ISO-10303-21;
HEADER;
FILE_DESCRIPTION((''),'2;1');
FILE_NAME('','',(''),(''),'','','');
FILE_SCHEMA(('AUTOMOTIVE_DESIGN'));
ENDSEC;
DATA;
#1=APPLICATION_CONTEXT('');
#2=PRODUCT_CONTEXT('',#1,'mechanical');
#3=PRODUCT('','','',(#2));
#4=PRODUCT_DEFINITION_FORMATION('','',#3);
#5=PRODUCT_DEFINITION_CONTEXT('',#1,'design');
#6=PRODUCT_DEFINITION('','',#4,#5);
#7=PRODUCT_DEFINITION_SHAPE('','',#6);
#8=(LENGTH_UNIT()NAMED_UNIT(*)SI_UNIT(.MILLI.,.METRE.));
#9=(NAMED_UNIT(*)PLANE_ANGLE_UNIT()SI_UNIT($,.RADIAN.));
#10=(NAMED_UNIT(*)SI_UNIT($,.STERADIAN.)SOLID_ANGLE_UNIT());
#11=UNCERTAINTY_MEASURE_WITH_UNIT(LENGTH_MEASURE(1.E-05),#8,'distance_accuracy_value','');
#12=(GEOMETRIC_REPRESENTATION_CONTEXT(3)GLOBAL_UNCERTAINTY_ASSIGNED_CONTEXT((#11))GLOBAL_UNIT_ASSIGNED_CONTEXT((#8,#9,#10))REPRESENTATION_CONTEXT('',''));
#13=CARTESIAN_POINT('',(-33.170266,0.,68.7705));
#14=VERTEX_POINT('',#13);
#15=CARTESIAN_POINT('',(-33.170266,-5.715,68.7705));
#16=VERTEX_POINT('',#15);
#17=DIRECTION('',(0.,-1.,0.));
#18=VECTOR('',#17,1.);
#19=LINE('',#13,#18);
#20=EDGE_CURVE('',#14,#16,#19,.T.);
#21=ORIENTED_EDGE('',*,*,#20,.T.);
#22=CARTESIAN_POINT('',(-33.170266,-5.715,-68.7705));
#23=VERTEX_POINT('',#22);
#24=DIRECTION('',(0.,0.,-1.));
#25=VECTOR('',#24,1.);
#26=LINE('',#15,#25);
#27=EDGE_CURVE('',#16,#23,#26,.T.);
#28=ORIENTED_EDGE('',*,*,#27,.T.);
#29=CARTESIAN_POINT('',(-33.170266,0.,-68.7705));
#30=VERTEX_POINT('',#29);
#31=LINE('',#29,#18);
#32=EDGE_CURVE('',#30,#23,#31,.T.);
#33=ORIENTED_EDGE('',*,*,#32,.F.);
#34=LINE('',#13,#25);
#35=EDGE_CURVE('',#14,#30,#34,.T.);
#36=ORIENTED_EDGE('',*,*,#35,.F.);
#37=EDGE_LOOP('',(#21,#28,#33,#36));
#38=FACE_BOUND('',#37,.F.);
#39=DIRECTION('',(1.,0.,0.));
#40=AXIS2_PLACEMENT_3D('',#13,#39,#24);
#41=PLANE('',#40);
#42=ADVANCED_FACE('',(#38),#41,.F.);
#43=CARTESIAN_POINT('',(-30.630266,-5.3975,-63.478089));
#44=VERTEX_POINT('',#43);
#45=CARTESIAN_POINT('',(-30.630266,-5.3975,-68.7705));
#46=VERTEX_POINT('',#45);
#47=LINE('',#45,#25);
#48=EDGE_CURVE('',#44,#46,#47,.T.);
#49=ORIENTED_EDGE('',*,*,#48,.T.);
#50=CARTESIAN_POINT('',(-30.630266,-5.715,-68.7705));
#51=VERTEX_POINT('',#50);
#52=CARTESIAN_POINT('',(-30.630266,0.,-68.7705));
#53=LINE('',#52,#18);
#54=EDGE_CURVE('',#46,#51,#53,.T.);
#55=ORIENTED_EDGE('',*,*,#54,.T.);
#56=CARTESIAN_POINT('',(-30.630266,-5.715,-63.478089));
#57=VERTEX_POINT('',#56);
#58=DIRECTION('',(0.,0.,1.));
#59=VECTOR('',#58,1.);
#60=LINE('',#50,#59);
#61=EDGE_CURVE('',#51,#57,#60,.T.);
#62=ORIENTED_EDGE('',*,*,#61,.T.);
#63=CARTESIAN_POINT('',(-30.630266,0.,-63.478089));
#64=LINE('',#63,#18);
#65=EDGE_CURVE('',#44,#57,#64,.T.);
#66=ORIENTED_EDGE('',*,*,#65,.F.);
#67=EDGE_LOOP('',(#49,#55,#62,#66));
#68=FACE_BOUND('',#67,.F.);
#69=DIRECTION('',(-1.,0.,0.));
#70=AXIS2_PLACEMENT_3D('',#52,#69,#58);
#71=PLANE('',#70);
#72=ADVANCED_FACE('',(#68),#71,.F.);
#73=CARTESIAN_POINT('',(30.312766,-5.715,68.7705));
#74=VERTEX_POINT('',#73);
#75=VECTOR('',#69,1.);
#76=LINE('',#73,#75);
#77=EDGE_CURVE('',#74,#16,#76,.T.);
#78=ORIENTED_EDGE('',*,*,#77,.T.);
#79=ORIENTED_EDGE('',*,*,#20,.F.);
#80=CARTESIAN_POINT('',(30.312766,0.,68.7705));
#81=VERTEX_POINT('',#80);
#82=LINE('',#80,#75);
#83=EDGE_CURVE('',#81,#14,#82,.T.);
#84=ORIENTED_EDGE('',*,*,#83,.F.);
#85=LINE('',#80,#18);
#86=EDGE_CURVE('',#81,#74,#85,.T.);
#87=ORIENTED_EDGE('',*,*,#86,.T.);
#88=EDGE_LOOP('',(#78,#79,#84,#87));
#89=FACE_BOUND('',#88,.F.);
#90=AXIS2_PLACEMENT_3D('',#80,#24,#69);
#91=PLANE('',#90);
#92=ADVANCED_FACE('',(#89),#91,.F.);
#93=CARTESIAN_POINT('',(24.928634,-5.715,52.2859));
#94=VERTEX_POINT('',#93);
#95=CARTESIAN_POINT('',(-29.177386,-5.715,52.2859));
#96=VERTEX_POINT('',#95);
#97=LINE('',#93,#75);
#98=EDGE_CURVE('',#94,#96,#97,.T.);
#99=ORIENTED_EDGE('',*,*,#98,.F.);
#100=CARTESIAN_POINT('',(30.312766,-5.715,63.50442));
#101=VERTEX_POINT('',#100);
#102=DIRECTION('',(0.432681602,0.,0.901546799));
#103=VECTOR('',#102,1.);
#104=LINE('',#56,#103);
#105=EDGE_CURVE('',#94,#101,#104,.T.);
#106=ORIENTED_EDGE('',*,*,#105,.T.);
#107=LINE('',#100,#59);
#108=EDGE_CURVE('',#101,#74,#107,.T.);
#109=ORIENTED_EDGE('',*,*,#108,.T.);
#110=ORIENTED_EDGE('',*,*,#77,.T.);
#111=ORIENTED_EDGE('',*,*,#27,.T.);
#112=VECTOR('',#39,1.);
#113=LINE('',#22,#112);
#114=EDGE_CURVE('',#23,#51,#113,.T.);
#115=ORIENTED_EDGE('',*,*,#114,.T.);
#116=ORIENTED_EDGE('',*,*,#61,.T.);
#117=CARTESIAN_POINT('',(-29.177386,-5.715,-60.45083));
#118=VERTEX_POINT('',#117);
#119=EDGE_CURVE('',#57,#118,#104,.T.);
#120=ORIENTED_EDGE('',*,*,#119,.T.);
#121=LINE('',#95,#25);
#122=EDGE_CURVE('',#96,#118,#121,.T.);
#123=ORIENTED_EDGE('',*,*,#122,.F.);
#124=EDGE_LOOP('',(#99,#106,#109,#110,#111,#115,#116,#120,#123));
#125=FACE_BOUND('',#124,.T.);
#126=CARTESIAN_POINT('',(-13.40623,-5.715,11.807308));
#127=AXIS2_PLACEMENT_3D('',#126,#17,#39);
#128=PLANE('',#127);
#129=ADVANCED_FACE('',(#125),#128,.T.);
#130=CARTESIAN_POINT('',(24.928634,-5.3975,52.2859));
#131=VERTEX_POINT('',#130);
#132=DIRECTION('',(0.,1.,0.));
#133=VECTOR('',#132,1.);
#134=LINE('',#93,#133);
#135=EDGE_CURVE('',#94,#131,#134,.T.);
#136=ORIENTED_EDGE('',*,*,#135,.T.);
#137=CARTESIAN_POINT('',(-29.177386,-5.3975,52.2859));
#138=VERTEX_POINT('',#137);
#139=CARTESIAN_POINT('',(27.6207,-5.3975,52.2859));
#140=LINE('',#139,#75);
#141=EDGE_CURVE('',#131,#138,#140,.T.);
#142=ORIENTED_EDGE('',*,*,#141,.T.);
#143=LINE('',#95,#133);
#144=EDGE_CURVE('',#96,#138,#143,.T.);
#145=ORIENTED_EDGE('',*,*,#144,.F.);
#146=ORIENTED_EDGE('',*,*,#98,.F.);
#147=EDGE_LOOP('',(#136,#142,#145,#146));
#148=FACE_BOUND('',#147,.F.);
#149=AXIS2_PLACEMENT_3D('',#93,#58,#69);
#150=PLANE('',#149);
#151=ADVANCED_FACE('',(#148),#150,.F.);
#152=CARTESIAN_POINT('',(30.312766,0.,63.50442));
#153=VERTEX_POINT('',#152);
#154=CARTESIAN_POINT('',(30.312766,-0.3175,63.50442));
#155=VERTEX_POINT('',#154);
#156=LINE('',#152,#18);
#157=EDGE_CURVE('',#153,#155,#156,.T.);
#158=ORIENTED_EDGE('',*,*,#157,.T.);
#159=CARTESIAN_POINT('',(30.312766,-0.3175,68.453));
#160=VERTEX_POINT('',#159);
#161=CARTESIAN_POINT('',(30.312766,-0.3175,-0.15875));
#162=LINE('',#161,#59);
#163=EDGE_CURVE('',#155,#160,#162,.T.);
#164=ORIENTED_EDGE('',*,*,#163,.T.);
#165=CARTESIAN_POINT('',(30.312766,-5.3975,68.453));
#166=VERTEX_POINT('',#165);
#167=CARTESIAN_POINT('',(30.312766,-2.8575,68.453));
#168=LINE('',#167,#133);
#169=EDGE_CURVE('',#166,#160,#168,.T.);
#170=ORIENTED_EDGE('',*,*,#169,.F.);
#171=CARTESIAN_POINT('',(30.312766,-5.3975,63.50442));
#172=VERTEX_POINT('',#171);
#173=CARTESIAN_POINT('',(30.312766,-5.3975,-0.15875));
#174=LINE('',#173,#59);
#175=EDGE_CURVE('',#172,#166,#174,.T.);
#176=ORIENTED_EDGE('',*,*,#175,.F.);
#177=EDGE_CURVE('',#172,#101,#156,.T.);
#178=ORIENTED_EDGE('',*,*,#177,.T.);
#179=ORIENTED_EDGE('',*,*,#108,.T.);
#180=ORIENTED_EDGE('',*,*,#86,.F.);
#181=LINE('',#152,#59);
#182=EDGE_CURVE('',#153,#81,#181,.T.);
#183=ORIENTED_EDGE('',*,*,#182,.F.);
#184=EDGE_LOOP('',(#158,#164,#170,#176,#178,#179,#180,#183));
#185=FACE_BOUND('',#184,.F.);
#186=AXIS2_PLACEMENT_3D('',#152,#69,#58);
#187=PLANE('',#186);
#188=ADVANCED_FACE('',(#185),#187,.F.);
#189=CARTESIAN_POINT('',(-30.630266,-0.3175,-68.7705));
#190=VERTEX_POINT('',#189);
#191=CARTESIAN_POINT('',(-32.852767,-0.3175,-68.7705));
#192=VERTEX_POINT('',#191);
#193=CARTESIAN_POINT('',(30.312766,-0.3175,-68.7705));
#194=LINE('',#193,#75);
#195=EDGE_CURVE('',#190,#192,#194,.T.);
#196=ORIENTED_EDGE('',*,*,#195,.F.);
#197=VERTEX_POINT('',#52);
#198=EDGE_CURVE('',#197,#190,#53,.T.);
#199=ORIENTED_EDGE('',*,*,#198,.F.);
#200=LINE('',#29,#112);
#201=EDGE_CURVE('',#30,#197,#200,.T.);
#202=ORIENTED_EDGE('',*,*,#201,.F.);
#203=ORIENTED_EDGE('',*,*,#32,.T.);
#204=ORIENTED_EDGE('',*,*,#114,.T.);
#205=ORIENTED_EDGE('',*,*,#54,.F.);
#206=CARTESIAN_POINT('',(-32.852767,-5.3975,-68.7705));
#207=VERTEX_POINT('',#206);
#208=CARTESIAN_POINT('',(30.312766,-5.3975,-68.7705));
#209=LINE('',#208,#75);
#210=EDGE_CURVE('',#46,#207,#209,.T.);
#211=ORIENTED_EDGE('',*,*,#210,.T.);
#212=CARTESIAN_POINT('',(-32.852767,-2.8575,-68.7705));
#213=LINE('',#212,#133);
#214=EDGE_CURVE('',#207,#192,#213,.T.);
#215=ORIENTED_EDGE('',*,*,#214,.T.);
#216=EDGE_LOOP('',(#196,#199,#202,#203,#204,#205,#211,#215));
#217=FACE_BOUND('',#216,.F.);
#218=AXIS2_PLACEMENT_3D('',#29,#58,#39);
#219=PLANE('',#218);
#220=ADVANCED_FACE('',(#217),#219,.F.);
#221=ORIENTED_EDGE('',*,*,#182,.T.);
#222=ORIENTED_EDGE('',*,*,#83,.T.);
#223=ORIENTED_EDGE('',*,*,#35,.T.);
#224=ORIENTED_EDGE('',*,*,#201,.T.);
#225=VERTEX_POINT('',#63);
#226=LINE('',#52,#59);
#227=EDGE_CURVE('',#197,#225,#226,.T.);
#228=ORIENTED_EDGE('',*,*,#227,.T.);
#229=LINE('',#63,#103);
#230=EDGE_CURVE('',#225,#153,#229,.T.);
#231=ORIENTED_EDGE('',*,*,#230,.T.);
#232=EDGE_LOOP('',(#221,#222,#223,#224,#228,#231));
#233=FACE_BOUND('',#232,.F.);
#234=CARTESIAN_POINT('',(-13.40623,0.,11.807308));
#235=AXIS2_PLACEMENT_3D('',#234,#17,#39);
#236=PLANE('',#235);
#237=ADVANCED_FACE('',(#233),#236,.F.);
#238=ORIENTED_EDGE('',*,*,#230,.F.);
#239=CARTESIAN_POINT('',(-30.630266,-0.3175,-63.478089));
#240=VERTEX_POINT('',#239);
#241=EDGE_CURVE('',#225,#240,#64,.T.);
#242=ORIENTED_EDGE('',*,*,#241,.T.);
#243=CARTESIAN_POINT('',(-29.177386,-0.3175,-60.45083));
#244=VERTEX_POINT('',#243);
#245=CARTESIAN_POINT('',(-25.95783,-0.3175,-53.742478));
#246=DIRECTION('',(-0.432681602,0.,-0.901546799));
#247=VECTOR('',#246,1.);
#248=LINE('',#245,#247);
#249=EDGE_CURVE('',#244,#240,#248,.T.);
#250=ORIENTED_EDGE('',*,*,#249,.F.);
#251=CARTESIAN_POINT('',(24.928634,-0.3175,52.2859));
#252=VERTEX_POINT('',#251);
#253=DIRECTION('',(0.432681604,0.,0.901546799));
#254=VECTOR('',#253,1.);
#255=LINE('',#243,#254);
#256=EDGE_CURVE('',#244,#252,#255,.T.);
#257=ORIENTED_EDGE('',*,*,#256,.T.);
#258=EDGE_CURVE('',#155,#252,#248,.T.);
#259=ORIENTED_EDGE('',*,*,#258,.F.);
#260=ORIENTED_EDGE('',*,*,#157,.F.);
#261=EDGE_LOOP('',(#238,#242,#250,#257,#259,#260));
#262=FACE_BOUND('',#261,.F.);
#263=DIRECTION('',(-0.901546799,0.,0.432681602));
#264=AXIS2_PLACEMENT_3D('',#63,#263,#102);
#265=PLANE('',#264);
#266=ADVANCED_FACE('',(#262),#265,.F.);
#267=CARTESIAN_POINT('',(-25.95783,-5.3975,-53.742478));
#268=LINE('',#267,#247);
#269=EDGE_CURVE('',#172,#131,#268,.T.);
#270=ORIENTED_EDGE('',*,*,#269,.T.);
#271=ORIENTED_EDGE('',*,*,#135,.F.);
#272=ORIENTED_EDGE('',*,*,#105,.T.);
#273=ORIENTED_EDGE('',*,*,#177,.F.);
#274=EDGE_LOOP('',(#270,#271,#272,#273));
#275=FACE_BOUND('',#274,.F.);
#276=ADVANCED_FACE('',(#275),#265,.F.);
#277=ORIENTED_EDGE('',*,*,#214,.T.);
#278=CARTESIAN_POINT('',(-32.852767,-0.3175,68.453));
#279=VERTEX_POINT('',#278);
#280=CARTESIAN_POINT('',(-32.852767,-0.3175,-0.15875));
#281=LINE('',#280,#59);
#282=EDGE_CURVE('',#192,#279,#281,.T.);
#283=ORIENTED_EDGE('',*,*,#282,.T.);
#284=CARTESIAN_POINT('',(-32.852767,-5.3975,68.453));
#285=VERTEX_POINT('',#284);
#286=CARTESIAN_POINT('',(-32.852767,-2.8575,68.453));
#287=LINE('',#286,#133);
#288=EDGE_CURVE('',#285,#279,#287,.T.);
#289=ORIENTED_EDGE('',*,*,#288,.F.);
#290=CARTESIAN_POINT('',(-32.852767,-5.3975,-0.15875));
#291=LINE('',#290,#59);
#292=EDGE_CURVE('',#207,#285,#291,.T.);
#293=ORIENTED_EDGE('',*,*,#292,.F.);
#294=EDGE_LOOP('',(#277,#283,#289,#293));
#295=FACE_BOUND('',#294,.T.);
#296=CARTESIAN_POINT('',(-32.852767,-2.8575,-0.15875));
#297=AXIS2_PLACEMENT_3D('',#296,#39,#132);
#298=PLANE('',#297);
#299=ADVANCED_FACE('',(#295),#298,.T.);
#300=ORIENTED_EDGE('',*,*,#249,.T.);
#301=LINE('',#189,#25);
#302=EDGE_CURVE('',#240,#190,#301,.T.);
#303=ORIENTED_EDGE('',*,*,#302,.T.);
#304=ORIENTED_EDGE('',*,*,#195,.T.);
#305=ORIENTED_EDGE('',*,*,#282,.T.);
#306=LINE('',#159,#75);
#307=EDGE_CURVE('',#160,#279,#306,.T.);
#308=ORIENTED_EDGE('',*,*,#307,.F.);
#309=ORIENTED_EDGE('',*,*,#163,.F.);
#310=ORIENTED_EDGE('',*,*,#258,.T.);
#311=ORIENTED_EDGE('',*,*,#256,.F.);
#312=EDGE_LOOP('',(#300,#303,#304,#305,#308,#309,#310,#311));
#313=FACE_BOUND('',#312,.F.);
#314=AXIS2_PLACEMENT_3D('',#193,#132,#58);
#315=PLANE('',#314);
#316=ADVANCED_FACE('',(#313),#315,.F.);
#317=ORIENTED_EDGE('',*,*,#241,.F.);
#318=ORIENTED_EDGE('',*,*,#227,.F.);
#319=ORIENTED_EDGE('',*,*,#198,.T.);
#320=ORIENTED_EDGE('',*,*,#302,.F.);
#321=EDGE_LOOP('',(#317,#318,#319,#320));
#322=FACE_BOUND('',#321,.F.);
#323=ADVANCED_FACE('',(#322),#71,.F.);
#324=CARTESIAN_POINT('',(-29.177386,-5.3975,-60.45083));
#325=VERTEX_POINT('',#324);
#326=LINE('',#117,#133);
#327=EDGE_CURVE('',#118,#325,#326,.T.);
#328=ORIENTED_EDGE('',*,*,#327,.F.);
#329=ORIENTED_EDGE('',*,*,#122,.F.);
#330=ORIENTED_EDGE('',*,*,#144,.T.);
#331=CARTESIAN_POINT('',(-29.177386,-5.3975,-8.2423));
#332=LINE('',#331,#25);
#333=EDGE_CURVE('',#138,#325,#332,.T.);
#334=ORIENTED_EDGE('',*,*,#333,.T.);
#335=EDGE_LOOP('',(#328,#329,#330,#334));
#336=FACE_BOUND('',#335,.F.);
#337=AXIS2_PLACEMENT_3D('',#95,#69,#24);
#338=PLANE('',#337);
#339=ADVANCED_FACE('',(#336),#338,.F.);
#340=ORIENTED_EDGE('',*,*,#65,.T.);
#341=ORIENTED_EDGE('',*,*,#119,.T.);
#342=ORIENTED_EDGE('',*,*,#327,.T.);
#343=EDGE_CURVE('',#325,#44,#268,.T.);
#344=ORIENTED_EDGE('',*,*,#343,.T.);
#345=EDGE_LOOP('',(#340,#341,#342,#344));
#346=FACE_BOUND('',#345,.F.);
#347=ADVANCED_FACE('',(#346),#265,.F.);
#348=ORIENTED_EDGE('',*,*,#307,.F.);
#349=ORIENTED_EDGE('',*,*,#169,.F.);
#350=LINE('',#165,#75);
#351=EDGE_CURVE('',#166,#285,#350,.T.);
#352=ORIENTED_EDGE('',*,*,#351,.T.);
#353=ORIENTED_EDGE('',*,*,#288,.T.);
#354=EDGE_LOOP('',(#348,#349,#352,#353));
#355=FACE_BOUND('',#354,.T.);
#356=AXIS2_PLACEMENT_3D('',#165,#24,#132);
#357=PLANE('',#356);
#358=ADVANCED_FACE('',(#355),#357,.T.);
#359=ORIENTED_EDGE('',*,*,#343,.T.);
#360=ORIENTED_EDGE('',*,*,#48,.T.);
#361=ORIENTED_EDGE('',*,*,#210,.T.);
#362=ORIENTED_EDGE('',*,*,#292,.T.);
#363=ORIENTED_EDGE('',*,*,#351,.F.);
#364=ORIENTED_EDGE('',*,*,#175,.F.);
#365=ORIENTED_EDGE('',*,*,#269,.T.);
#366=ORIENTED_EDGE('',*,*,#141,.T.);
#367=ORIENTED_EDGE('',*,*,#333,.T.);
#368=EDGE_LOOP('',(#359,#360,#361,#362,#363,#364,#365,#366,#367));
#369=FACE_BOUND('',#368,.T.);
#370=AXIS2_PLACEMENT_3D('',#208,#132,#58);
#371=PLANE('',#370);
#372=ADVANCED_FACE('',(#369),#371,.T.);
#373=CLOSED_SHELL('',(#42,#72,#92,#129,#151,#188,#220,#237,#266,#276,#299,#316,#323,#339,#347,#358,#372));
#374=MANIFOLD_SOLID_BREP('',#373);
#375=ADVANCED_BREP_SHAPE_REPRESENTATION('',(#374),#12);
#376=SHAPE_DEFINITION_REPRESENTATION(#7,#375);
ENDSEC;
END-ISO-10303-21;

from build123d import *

# Parameters (mm, degrees)
F1_DEPTH = 5.715
F3_DEPTH = 5.3975
F4_W     = 5.08
F4_H     = 137.2235
F5_DEPTH = 63.165533


with BuildPart() as f1:
    # F0 (on Front) → F1 (new body)
    with BuildSketch(Plane.XZ):
        Polygon((30.312766, 68.7705), (-33.170266, 68.7705), (-33.170266, -68.7705), (-30.630266, -68.7705), (-30.630266, -63.478089), (30.312766, 63.50442), align=None)
    extrude(amount=F1_DEPTH)

    # F2 (on face) → F3 (cut)
    with BuildSketch(Plane.XZ.offset(5.715)):
        Polygon((24.928634, 52.2859), (-29.177386, 52.2859), (-29.177386, -60.45083), align=None)
    extrude(amount=-F3_DEPTH, mode=Mode.SUBTRACT)

    # F4 (on face) → F5 (cut)
    with BuildSketch(Plane.YZ.offset(30.312766)):
        with Locations((-2.8575, -0.15875)):
            Rectangle(F4_W, F4_H)
    extrude(amount=-F5_DEPTH, mode=Mode.SUBTRACT)


solid = f1.part
